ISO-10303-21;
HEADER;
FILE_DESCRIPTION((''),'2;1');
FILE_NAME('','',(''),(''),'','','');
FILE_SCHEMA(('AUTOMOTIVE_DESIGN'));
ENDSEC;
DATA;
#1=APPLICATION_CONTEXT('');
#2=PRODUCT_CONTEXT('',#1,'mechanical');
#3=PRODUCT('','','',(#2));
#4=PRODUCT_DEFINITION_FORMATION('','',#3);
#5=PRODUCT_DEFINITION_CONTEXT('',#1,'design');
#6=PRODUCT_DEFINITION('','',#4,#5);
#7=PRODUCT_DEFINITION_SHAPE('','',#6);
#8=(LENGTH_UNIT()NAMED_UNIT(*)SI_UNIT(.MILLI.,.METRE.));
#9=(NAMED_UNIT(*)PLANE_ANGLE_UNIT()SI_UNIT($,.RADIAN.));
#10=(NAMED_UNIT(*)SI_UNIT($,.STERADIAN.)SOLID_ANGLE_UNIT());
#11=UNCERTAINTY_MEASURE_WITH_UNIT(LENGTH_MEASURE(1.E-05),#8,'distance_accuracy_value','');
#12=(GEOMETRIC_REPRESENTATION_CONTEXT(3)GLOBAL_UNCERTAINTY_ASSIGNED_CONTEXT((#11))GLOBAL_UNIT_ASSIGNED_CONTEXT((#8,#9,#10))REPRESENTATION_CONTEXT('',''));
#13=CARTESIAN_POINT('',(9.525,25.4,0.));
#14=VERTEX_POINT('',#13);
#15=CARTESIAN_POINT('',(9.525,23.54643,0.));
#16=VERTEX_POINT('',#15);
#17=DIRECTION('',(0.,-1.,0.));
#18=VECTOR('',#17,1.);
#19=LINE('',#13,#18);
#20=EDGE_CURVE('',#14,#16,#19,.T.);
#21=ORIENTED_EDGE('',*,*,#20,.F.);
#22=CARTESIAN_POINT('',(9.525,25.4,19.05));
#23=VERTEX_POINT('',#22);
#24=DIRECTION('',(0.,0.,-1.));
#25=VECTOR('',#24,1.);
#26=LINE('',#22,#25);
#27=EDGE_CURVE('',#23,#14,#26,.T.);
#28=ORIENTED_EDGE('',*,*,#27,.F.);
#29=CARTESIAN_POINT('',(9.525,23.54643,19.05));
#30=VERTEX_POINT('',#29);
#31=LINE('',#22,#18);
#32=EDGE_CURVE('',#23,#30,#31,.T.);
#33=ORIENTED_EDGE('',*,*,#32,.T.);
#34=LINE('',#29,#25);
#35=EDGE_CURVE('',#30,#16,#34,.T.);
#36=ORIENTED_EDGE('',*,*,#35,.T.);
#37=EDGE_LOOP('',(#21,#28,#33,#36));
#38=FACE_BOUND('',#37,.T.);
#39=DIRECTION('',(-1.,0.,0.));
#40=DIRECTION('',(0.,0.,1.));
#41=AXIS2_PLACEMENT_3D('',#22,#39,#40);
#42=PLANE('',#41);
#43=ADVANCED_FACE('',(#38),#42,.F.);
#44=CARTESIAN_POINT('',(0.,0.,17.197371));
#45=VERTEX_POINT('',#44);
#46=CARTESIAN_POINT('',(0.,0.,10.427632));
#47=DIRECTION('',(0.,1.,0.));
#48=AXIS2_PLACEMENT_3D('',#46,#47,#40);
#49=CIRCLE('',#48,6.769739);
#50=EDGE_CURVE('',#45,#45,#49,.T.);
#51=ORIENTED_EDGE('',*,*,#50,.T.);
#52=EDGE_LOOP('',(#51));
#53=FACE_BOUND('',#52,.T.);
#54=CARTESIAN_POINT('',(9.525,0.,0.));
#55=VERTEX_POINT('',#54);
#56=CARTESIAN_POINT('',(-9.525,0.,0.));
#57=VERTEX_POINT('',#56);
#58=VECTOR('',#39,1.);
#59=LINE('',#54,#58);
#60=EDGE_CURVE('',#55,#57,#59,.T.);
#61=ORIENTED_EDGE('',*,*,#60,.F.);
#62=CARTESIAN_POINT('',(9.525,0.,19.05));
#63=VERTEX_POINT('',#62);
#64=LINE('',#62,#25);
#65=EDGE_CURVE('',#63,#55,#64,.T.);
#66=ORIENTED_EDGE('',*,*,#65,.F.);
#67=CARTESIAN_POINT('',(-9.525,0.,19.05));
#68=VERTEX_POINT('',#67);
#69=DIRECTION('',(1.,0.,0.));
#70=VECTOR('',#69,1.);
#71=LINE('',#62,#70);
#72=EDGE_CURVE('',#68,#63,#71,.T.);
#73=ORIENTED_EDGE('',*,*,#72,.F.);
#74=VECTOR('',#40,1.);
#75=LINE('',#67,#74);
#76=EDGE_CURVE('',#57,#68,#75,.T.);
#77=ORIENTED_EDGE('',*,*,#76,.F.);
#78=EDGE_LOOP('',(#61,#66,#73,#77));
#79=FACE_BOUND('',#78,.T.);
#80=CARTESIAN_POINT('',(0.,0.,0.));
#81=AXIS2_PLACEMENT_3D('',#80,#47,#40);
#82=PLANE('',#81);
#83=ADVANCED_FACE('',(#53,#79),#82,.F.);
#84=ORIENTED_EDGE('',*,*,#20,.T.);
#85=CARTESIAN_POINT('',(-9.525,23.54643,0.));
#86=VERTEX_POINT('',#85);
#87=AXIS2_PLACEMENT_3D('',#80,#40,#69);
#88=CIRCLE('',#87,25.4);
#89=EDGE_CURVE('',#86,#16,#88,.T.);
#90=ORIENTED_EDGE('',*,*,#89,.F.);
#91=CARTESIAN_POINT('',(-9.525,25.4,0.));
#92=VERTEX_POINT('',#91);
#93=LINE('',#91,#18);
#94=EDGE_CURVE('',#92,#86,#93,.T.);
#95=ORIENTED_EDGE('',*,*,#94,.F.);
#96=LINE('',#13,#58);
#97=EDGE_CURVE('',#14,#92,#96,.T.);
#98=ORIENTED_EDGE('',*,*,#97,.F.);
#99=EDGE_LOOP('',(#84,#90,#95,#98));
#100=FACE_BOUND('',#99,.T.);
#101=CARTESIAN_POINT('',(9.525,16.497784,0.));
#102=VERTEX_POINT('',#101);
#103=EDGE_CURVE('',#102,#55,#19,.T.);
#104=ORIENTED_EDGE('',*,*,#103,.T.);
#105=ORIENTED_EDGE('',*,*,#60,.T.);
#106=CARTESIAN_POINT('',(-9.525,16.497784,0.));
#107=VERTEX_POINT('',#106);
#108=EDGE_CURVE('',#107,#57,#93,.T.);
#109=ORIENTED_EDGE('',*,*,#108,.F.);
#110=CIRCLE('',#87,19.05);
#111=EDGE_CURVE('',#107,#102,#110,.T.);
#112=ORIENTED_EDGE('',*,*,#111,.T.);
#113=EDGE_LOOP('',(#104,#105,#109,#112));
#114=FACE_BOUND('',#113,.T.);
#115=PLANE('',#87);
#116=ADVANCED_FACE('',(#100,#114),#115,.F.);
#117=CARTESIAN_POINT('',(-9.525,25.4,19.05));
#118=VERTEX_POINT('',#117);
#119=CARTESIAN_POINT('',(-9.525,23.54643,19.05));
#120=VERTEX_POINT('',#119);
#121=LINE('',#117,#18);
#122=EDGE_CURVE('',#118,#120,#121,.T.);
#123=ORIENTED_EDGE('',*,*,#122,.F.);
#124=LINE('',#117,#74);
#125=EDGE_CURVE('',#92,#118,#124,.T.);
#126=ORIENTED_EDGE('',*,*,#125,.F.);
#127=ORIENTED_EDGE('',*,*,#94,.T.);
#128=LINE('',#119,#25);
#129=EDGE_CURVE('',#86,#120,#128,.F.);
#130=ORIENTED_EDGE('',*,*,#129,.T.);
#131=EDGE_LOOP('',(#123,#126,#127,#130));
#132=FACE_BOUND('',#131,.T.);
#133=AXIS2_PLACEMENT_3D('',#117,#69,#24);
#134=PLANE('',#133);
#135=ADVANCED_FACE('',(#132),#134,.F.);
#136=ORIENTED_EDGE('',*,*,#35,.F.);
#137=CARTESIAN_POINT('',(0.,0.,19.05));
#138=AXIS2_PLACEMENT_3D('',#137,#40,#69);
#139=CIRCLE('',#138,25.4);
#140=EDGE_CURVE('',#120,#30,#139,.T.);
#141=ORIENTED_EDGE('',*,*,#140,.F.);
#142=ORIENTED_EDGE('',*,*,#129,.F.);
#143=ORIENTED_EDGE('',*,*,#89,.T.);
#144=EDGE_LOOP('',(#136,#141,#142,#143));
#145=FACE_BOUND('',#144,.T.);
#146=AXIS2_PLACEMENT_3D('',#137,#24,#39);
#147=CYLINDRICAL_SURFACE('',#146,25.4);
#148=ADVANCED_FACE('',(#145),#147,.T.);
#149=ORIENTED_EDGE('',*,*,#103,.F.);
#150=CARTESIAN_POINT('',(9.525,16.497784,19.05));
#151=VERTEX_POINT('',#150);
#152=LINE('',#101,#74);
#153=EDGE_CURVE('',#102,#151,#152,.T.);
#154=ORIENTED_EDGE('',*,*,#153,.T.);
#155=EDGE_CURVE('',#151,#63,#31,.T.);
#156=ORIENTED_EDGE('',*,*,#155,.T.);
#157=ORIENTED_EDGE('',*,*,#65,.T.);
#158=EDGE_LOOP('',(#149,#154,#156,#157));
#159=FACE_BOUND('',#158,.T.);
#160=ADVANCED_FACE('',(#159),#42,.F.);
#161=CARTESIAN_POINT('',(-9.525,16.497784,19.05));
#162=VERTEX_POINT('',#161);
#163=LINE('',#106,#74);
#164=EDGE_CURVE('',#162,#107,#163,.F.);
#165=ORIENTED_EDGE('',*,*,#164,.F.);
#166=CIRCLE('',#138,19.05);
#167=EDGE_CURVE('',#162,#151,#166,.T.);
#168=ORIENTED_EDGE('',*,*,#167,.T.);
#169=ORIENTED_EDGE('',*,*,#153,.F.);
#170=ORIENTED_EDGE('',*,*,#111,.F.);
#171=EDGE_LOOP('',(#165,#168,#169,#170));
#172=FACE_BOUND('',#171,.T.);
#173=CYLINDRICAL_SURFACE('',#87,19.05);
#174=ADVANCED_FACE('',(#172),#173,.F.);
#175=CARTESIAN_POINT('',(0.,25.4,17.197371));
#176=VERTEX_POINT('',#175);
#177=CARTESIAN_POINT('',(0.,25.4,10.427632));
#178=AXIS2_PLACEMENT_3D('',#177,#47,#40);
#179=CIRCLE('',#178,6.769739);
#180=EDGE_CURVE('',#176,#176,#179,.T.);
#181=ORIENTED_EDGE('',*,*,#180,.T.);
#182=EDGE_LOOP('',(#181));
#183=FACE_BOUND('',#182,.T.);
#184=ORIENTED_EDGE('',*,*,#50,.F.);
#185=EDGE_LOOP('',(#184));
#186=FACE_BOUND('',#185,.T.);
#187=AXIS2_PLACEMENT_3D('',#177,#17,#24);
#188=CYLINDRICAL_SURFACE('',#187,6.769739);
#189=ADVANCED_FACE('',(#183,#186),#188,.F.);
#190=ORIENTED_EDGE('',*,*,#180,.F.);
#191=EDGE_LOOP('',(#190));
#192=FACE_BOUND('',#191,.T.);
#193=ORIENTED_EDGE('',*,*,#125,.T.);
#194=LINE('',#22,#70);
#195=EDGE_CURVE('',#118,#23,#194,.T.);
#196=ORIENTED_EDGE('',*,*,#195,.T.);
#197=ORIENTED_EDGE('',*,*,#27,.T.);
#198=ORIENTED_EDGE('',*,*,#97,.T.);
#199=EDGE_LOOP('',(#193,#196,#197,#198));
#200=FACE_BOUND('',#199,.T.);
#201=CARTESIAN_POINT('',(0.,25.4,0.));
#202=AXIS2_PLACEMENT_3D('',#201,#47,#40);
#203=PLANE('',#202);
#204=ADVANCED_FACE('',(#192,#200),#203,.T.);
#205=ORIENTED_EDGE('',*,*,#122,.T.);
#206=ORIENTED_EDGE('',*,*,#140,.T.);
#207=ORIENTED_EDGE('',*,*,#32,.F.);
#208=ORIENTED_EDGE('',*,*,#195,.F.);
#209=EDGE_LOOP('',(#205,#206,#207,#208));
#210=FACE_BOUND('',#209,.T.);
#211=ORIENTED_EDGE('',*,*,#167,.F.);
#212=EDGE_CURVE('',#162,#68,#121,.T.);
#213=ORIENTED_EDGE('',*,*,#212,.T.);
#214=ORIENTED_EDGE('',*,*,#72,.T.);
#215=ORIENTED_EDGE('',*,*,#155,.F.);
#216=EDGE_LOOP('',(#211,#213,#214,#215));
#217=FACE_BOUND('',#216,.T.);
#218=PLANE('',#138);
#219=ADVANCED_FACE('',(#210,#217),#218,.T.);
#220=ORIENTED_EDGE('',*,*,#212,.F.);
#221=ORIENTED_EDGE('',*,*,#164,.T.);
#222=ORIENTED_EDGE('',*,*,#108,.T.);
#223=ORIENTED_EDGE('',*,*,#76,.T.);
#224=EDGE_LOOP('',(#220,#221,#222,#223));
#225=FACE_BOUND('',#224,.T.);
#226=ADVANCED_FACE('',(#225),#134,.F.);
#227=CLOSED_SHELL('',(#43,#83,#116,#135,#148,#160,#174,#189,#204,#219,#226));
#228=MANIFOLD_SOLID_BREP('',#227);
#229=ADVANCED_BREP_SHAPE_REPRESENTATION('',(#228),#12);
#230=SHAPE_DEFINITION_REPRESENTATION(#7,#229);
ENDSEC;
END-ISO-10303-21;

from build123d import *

# Parameters (mm, degrees)
SKETCH2_R               = 25.4
BOSS_EXTRUDE1_DEPTH     = 19.05
CUT_EXTRUDE1_DEPTH      = 41.659838908
CUT_EXTRUDE1_DEPTH_BACK = 41.659838908
SKETCH3_R               = 19.05
SKETCH4_W               = 19.05
SKETCH4_H               = 19.05
BOSS_EXTRUDE2_DEPTH     = 25.4
SKETCH7_R               = 6.769739398
CUT_EXTRUDE2_DEPTH      = 41.659838908


with BuildPart() as part:
    # Sketch2 → Boss-Extrude1 (new body)
    with BuildSketch(Plane.XY):
        with Locations(Location((0, 0, 0), (0, 0, 180))):
            Circle(SKETCH2_R)
    extrude(amount=BOSS_EXTRUDE1_DEPTH)

    # Sketch3 → Cut-Extrude1 (cut, two sides: drawn at the far end of the back side and taken through both)
    with BuildSketch(Plane.XY.offset(19.05).offset(-CUT_EXTRUDE1_DEPTH_BACK)):
        Circle(SKETCH3_R)
    extrude(amount=CUT_EXTRUDE1_DEPTH + CUT_EXTRUDE1_DEPTH_BACK, mode=Mode.SUBTRACT)

    # Sketch4 → Boss-Extrude2 (add)
    with BuildSketch(Plane(origin=(0, 0, 0), x_dir=(1, 0, 0), z_dir=(0, 1, 0))):
        with Locations((0, -9.525)):
            Rectangle(SKETCH4_W, SKETCH4_H)
    extrude(amount=BOSS_EXTRUDE2_DEPTH)

    # Sketch7 → Cut-Extrude2 (cut, through all)
    with BuildSketch(Plane(origin=(0, 0, 0), x_dir=(1, 0, 0), z_dir=(0, 1, 0))):
        with Locations(Location((0, -10.42763192, 0), (0, 0, 270))):
            Circle(SKETCH7_R)
    extrude(amount=CUT_EXTRUDE2_DEPTH, mode=Mode.SUBTRACT)


solid = part.part
